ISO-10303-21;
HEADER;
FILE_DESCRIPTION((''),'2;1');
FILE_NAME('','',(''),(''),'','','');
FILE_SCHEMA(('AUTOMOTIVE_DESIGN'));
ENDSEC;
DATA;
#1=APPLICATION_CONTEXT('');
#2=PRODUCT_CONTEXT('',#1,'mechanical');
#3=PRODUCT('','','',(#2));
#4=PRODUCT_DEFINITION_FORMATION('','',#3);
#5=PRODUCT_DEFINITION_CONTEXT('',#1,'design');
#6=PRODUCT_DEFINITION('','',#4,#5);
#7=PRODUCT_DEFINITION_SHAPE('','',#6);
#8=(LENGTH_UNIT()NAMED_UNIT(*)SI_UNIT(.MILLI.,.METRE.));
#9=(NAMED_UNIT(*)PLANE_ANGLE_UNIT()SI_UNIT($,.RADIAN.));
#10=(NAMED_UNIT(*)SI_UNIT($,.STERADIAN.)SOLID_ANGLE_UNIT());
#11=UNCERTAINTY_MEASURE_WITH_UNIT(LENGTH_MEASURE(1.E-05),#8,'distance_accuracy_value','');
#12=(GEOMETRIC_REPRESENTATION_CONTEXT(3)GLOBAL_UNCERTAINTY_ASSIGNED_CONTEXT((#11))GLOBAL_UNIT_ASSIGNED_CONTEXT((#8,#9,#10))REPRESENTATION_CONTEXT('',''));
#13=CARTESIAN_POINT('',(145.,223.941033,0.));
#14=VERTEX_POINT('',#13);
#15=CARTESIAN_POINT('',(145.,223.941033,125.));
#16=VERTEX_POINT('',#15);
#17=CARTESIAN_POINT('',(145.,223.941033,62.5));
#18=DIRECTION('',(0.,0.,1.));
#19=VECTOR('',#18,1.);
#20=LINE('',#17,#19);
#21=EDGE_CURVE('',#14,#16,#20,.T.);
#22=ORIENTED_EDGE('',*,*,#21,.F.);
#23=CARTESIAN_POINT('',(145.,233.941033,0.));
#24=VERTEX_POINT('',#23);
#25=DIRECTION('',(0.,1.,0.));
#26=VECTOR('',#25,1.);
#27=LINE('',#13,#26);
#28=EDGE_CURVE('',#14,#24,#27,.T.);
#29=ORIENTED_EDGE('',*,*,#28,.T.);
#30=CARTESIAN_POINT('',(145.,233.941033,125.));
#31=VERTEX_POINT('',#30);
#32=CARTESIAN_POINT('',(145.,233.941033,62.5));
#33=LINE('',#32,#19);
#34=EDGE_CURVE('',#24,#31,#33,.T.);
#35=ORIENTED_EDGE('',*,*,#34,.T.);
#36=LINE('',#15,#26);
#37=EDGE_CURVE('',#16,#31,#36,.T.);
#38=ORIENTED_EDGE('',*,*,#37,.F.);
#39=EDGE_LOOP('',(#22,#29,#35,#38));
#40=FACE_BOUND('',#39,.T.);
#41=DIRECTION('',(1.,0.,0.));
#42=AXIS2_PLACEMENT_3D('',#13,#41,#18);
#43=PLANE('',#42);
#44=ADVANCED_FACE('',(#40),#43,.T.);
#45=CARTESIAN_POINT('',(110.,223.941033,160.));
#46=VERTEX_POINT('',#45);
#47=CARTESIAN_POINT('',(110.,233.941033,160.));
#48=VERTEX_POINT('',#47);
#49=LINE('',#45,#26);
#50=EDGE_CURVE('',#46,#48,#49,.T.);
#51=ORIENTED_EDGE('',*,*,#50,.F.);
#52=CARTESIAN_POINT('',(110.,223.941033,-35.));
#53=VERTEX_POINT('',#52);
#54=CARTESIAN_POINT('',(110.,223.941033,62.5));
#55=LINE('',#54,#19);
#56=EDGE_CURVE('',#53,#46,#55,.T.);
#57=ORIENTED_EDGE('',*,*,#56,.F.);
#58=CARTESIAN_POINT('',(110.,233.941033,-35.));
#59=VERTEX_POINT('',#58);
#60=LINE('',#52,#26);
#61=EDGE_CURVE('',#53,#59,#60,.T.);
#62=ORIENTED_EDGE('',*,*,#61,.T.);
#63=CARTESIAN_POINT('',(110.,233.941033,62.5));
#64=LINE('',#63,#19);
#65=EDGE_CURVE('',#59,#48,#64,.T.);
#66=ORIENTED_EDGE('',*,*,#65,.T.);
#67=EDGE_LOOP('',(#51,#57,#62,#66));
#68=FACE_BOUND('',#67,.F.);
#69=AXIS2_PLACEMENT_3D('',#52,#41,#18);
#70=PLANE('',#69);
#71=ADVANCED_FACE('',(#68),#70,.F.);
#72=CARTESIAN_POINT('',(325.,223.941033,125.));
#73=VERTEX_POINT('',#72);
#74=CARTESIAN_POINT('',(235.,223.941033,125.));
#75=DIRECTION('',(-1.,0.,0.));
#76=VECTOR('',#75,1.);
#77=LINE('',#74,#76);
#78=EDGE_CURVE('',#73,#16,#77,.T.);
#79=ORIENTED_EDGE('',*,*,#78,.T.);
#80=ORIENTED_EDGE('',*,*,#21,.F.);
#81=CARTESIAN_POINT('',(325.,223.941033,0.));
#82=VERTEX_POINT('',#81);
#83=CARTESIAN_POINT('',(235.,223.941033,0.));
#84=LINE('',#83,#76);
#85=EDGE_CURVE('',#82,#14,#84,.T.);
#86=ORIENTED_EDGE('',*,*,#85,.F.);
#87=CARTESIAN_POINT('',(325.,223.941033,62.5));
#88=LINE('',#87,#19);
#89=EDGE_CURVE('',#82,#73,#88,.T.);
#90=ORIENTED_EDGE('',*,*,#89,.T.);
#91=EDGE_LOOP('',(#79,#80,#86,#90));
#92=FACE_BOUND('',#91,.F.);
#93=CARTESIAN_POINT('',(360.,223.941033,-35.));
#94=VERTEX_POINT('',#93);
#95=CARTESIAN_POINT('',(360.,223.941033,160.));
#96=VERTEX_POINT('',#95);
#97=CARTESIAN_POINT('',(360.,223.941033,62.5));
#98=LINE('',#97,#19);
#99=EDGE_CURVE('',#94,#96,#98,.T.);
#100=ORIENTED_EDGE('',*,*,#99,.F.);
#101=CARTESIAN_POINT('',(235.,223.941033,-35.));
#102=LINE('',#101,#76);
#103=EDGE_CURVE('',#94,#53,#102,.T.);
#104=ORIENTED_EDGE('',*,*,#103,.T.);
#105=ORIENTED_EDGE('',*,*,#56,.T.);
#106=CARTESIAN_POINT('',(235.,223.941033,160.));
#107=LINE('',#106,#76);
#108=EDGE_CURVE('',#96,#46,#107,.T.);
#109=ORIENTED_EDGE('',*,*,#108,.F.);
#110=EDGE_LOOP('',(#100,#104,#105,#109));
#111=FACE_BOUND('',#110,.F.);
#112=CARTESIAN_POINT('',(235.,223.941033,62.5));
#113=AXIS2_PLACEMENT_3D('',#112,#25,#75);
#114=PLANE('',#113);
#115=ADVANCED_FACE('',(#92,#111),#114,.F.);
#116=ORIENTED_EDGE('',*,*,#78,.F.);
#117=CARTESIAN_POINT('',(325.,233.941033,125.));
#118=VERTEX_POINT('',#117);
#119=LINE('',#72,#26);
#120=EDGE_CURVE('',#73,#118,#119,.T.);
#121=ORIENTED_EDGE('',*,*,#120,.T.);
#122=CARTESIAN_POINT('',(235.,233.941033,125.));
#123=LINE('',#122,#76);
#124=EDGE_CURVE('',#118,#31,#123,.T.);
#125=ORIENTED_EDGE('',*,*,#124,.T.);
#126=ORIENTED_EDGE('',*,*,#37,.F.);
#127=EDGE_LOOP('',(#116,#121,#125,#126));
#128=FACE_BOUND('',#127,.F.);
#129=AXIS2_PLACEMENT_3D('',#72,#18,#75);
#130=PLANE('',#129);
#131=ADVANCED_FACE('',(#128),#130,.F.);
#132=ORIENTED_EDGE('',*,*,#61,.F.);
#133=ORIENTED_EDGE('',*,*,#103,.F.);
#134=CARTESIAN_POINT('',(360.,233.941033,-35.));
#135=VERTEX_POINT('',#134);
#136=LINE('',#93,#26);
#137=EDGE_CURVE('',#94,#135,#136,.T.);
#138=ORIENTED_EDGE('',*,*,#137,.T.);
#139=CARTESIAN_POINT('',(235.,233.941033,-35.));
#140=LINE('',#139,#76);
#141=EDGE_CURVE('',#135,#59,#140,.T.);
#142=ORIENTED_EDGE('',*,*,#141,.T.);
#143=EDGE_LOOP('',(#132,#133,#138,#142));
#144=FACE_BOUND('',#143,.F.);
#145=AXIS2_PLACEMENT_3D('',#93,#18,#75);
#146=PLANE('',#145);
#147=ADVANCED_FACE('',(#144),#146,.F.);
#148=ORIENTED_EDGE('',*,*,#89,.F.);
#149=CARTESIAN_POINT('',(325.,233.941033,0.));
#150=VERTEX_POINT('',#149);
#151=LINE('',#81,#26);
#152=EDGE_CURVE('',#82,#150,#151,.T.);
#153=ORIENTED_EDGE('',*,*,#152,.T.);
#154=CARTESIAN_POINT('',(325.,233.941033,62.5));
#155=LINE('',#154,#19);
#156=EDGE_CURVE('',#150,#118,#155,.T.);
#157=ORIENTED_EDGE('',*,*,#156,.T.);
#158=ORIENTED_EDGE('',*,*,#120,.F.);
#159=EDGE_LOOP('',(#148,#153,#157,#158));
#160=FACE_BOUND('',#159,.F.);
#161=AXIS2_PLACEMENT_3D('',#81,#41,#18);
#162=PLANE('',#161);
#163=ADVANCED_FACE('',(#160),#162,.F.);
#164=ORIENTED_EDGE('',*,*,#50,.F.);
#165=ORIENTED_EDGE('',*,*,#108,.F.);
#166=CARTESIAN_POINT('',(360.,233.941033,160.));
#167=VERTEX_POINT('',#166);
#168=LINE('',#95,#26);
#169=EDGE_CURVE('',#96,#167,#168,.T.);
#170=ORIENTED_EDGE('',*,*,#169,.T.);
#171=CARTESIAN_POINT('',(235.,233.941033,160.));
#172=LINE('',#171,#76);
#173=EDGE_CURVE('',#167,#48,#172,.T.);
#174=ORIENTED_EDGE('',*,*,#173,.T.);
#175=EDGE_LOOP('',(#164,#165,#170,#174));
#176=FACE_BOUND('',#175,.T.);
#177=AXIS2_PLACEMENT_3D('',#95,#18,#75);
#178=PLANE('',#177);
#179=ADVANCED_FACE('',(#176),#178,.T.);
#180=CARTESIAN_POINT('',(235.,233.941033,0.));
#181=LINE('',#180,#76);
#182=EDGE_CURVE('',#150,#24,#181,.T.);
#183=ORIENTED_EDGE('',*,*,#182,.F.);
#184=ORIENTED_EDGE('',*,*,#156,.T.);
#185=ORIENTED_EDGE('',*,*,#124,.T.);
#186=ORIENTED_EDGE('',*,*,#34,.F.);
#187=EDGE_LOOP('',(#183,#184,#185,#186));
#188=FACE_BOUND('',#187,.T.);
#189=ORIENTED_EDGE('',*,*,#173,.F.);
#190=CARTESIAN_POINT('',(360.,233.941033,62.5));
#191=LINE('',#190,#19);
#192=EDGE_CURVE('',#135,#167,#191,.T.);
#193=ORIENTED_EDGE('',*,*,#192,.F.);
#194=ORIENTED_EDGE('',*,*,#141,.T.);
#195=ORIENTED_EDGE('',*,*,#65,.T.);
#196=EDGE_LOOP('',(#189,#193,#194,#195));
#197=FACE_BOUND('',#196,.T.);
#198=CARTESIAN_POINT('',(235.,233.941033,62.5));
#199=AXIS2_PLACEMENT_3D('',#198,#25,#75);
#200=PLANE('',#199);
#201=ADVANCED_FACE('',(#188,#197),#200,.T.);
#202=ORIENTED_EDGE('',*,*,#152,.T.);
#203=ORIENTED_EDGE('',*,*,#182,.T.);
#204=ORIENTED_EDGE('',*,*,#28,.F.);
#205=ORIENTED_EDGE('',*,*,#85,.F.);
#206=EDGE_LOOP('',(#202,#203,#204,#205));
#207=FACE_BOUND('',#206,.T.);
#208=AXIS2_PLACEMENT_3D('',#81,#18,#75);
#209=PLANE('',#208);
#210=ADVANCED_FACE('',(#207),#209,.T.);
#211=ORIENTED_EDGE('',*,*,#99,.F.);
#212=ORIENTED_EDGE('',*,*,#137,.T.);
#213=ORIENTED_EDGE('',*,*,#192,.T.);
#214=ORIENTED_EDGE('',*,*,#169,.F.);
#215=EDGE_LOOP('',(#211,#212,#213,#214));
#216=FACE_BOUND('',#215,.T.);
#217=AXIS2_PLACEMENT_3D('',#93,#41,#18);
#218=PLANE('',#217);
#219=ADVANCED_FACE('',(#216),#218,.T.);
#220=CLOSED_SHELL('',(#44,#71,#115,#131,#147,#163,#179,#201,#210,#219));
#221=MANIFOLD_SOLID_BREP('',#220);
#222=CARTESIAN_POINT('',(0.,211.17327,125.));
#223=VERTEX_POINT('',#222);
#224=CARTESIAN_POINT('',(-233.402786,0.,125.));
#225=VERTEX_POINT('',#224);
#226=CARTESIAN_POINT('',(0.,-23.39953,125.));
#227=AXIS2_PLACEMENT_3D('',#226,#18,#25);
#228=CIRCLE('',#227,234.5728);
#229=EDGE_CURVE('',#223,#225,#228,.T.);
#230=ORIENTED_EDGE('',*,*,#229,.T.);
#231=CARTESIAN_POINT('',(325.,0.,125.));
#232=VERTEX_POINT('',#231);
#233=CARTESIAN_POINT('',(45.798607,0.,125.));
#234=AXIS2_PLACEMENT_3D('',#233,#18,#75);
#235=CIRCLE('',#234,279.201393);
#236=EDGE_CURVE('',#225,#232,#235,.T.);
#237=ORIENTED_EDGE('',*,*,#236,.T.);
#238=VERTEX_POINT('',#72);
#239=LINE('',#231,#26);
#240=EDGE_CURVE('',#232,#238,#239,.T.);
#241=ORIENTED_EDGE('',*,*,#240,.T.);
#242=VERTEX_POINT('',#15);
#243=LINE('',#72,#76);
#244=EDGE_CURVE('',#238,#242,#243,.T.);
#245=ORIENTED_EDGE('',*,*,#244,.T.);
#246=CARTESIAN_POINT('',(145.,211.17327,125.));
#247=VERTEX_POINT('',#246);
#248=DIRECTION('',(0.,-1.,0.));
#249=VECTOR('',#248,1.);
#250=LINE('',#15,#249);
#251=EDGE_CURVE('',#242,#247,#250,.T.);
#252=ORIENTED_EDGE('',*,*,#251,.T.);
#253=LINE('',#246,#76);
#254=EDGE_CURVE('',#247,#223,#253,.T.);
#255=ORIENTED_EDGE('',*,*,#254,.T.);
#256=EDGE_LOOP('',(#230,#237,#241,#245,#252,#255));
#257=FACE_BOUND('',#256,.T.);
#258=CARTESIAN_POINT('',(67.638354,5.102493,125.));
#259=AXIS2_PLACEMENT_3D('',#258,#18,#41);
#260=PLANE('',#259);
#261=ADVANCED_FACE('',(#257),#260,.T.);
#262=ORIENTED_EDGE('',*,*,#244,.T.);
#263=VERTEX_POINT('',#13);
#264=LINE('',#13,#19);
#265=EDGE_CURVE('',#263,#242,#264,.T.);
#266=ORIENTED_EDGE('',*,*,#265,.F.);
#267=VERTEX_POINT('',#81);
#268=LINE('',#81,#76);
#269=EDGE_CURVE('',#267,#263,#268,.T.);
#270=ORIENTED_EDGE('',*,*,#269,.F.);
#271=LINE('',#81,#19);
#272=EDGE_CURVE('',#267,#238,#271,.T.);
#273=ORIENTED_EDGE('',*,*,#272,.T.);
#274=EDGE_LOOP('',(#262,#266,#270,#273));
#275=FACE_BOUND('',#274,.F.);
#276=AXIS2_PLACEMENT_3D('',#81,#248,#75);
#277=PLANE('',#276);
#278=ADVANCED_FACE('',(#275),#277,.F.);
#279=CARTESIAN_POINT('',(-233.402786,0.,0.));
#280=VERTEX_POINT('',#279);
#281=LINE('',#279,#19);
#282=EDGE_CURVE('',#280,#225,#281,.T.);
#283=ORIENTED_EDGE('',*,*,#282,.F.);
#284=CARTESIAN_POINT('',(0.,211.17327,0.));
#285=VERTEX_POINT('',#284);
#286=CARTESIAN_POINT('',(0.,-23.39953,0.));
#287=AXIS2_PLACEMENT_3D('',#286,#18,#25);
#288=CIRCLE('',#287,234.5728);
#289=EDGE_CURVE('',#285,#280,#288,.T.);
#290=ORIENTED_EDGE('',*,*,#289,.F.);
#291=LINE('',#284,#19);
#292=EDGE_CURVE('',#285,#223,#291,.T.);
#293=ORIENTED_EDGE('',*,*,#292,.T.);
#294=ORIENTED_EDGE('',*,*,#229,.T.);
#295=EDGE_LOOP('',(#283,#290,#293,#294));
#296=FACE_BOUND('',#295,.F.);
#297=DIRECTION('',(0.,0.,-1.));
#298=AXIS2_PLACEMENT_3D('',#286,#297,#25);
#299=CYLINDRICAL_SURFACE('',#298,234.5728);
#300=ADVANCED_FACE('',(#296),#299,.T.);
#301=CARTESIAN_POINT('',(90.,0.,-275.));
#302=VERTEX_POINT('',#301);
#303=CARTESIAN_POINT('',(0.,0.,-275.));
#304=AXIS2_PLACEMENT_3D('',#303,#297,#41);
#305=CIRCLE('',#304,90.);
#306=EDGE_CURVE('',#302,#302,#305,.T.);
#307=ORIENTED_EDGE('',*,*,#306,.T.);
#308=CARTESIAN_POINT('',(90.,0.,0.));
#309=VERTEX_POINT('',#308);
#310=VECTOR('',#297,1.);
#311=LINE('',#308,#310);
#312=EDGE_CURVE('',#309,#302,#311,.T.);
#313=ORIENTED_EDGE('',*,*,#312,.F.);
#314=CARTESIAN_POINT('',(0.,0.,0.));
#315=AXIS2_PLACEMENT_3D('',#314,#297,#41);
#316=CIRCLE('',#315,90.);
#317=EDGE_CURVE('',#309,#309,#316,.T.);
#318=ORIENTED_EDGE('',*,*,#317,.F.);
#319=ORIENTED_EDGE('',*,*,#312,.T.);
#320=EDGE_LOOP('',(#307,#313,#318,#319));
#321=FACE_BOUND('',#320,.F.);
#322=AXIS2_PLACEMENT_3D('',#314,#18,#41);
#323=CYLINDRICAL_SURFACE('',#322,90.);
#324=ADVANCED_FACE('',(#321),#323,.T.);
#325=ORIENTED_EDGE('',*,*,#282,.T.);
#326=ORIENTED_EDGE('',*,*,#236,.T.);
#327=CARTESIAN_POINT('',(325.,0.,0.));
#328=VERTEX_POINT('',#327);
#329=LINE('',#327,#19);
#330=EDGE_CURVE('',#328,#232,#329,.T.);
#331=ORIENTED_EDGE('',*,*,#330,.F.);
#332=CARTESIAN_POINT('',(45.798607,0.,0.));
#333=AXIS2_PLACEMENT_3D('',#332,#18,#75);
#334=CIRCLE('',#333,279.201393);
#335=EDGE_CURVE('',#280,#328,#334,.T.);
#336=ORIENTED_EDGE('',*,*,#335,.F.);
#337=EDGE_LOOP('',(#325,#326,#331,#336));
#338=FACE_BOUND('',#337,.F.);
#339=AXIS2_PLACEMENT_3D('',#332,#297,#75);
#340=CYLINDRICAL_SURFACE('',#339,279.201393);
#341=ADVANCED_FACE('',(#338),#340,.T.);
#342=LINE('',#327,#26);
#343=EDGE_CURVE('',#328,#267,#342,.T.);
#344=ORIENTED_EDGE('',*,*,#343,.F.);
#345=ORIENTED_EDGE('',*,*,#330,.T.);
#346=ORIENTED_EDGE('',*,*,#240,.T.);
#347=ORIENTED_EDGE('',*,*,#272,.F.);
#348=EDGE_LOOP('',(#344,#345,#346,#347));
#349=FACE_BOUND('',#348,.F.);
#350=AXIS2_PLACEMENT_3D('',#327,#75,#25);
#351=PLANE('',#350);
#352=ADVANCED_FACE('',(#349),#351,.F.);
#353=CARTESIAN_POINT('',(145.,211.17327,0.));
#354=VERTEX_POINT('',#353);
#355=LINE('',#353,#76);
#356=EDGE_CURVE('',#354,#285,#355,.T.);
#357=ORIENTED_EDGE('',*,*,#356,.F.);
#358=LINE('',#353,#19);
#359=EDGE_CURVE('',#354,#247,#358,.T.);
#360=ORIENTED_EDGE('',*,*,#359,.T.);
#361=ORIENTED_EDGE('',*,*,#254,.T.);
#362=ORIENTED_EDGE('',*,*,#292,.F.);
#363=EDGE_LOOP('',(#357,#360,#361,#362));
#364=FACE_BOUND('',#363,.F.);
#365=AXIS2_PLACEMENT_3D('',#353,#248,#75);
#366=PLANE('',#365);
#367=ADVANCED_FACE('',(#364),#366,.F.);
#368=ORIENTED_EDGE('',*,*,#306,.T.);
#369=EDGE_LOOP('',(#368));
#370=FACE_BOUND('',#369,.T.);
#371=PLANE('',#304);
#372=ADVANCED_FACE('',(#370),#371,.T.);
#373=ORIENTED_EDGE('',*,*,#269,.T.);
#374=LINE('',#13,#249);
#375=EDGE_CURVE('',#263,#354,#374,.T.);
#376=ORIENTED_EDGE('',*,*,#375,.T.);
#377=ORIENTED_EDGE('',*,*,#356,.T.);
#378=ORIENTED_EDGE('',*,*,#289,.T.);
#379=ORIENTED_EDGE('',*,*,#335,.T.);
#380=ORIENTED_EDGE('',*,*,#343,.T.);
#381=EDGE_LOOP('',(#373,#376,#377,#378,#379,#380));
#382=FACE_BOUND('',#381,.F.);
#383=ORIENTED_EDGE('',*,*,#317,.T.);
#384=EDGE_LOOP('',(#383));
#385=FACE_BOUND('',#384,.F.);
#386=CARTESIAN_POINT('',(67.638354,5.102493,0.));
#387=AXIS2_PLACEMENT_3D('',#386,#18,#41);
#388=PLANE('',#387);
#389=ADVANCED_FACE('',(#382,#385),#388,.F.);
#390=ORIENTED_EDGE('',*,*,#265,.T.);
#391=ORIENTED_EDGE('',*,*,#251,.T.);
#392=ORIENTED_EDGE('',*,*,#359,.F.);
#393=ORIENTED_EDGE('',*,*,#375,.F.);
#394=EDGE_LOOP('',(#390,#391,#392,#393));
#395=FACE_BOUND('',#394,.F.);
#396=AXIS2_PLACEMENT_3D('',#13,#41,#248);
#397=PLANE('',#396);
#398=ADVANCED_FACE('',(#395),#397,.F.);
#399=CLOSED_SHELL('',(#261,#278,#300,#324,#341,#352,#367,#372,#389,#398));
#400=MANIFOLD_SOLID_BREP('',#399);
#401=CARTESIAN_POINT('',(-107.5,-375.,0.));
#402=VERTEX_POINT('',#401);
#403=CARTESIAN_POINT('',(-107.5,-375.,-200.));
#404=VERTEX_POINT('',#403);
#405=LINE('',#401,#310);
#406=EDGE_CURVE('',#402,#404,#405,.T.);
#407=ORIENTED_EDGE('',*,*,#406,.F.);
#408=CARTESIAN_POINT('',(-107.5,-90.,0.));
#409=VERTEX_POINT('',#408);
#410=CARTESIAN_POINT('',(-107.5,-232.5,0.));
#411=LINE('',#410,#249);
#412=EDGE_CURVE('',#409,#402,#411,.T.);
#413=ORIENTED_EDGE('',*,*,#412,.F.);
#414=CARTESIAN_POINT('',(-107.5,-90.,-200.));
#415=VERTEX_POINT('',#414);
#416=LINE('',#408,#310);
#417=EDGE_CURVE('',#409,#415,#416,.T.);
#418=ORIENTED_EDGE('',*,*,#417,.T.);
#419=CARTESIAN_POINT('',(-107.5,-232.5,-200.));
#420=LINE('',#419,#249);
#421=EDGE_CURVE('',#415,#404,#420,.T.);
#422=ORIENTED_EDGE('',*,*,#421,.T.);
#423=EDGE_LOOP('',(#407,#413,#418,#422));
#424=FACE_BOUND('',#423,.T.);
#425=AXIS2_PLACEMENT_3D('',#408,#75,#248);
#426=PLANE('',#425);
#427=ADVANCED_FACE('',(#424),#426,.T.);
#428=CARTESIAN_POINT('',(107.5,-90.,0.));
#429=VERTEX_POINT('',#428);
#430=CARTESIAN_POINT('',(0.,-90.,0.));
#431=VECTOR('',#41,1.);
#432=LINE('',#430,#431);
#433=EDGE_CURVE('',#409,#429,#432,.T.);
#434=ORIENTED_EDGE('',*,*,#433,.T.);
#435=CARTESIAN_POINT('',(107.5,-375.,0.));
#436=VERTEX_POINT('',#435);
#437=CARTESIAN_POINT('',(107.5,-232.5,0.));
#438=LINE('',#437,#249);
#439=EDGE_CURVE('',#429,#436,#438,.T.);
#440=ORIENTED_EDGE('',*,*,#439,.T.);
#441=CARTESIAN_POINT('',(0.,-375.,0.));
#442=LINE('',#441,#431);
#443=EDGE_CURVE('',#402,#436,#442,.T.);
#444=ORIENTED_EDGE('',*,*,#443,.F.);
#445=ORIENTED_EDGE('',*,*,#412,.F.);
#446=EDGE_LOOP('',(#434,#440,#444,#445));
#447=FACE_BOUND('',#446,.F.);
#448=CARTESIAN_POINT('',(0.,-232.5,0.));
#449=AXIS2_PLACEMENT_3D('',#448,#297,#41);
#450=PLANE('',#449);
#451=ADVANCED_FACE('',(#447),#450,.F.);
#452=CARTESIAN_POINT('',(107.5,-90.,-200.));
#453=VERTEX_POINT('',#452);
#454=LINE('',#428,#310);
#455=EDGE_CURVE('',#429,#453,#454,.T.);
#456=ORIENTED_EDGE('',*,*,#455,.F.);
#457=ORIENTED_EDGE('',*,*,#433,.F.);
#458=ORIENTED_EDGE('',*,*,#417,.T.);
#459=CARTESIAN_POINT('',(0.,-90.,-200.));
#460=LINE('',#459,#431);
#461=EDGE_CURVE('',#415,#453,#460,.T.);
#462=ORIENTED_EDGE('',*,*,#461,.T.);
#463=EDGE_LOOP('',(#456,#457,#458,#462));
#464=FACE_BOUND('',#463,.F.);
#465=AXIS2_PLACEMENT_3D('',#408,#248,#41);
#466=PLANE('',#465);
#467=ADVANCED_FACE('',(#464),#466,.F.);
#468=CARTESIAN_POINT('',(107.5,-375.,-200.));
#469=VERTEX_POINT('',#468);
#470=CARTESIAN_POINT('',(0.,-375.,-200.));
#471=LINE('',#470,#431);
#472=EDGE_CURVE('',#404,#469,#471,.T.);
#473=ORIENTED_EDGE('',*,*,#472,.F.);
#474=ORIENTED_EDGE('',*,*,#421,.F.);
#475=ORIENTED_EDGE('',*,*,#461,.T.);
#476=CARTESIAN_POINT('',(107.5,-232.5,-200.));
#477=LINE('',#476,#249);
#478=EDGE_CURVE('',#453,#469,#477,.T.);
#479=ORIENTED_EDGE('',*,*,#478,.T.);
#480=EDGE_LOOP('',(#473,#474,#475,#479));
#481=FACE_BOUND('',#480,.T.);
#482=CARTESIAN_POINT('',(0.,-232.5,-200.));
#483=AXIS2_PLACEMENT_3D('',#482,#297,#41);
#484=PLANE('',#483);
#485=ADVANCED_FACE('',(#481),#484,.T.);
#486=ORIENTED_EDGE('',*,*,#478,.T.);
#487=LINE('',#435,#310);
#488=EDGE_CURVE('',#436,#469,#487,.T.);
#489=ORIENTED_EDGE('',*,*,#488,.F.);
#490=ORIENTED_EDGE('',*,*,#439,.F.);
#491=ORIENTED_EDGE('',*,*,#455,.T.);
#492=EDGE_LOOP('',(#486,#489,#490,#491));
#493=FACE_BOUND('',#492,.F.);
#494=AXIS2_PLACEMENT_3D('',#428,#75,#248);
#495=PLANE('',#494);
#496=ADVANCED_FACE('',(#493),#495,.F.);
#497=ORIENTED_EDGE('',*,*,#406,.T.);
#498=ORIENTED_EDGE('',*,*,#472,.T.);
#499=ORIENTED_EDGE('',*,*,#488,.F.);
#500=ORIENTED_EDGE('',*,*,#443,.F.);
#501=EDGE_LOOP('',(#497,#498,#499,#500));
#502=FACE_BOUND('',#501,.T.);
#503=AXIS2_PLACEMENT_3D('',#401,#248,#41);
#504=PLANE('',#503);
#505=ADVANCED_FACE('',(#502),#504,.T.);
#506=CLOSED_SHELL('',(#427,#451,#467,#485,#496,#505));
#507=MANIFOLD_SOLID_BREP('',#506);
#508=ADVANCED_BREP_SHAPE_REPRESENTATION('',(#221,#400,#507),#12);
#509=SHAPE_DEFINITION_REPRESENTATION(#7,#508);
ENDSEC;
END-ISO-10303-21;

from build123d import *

# Parameters (mm, degrees)
F0_R     = 192.4855097927
F0_R_2   = 133.4691970043
F0_R_3   = 78.4792359607
F0_R_4   = 44.9880642018
F1_DEPTH = 125
F2_W     = 250
F2_H     = 195
F2_W_2   = 180
F2_H_2   = 125
F3_DEPTH = 10
F4_R     = 90
F5_DEPTH = 275
F6_W     = 215
F6_H     = 285
F7_DEPTH = 200


with BuildPart() as f1:
    # F0 (on Top) → F1 (new body)
    with BuildSketch(Plane.XY):
        with BuildLine():
            ThreePointArc((-233.4027856588, 0), (45.7986071706, -279.2013928294), (325, 0))
            Line((325, 0), (325, 223.9410325965))
            Line((325, 223.9410325965), (145, 223.9410325965))
            Line((145, 223.9410325965), (145, 211.1732696451))
            Line((145, 211.1732696451), (0, 211.1732696451))
            ThreePointArc((0, 211.1732696451), (-157.3777383923, 150.5448455883), (-233.4027856588, 0))
        make_face()
        Circle(F0_R, mode=Mode.SUBTRACT)
        Circle(F0_R)
        Circle(F0_R_2, mode=Mode.SUBTRACT)
        Circle(F0_R_2)
        Circle(F0_R_3, mode=Mode.SUBTRACT)
        Circle(F0_R_3)
        Circle(F0_R_4, mode=Mode.SUBTRACT)
        Circle(F0_R_4)
    extrude(amount=F1_DEPTH)

    # F4 (on face) → F5 (join)
    with BuildSketch(Plane(origin=(0, 0, 0), x_dir=(1, 0, 0), z_dir=(0, 0, -1))):
        Circle(F4_R)
    extrude(amount=F5_DEPTH)


with BuildPart() as f3:
    # F2 (on face) → F3 (new body)
    with BuildSketch(Plane(origin=(0, 223.9410325965, 0), x_dir=(-1, 0, 0), z_dir=(0, 1, 0))):
        with Locations((-235, 62.5)):
            Rectangle(F2_W, F2_H)
        with Locations((-235, 62.5)):
            Rectangle(F2_W_2, F2_H_2, mode=Mode.SUBTRACT)
    extrude(amount=F3_DEPTH)


with BuildPart() as f7:
    # F6 (on face) → F7 (new body)
    with BuildSketch(Plane(origin=(0, 0, 0), x_dir=(1, 0, 0), z_dir=(0, 0, -1))):
        with Locations((0, 232.5)):
            Rectangle(F6_W, F6_H)
    extrude(amount=F7_DEPTH)


solid = Compound([f1.part, f3.part, f7.part])
